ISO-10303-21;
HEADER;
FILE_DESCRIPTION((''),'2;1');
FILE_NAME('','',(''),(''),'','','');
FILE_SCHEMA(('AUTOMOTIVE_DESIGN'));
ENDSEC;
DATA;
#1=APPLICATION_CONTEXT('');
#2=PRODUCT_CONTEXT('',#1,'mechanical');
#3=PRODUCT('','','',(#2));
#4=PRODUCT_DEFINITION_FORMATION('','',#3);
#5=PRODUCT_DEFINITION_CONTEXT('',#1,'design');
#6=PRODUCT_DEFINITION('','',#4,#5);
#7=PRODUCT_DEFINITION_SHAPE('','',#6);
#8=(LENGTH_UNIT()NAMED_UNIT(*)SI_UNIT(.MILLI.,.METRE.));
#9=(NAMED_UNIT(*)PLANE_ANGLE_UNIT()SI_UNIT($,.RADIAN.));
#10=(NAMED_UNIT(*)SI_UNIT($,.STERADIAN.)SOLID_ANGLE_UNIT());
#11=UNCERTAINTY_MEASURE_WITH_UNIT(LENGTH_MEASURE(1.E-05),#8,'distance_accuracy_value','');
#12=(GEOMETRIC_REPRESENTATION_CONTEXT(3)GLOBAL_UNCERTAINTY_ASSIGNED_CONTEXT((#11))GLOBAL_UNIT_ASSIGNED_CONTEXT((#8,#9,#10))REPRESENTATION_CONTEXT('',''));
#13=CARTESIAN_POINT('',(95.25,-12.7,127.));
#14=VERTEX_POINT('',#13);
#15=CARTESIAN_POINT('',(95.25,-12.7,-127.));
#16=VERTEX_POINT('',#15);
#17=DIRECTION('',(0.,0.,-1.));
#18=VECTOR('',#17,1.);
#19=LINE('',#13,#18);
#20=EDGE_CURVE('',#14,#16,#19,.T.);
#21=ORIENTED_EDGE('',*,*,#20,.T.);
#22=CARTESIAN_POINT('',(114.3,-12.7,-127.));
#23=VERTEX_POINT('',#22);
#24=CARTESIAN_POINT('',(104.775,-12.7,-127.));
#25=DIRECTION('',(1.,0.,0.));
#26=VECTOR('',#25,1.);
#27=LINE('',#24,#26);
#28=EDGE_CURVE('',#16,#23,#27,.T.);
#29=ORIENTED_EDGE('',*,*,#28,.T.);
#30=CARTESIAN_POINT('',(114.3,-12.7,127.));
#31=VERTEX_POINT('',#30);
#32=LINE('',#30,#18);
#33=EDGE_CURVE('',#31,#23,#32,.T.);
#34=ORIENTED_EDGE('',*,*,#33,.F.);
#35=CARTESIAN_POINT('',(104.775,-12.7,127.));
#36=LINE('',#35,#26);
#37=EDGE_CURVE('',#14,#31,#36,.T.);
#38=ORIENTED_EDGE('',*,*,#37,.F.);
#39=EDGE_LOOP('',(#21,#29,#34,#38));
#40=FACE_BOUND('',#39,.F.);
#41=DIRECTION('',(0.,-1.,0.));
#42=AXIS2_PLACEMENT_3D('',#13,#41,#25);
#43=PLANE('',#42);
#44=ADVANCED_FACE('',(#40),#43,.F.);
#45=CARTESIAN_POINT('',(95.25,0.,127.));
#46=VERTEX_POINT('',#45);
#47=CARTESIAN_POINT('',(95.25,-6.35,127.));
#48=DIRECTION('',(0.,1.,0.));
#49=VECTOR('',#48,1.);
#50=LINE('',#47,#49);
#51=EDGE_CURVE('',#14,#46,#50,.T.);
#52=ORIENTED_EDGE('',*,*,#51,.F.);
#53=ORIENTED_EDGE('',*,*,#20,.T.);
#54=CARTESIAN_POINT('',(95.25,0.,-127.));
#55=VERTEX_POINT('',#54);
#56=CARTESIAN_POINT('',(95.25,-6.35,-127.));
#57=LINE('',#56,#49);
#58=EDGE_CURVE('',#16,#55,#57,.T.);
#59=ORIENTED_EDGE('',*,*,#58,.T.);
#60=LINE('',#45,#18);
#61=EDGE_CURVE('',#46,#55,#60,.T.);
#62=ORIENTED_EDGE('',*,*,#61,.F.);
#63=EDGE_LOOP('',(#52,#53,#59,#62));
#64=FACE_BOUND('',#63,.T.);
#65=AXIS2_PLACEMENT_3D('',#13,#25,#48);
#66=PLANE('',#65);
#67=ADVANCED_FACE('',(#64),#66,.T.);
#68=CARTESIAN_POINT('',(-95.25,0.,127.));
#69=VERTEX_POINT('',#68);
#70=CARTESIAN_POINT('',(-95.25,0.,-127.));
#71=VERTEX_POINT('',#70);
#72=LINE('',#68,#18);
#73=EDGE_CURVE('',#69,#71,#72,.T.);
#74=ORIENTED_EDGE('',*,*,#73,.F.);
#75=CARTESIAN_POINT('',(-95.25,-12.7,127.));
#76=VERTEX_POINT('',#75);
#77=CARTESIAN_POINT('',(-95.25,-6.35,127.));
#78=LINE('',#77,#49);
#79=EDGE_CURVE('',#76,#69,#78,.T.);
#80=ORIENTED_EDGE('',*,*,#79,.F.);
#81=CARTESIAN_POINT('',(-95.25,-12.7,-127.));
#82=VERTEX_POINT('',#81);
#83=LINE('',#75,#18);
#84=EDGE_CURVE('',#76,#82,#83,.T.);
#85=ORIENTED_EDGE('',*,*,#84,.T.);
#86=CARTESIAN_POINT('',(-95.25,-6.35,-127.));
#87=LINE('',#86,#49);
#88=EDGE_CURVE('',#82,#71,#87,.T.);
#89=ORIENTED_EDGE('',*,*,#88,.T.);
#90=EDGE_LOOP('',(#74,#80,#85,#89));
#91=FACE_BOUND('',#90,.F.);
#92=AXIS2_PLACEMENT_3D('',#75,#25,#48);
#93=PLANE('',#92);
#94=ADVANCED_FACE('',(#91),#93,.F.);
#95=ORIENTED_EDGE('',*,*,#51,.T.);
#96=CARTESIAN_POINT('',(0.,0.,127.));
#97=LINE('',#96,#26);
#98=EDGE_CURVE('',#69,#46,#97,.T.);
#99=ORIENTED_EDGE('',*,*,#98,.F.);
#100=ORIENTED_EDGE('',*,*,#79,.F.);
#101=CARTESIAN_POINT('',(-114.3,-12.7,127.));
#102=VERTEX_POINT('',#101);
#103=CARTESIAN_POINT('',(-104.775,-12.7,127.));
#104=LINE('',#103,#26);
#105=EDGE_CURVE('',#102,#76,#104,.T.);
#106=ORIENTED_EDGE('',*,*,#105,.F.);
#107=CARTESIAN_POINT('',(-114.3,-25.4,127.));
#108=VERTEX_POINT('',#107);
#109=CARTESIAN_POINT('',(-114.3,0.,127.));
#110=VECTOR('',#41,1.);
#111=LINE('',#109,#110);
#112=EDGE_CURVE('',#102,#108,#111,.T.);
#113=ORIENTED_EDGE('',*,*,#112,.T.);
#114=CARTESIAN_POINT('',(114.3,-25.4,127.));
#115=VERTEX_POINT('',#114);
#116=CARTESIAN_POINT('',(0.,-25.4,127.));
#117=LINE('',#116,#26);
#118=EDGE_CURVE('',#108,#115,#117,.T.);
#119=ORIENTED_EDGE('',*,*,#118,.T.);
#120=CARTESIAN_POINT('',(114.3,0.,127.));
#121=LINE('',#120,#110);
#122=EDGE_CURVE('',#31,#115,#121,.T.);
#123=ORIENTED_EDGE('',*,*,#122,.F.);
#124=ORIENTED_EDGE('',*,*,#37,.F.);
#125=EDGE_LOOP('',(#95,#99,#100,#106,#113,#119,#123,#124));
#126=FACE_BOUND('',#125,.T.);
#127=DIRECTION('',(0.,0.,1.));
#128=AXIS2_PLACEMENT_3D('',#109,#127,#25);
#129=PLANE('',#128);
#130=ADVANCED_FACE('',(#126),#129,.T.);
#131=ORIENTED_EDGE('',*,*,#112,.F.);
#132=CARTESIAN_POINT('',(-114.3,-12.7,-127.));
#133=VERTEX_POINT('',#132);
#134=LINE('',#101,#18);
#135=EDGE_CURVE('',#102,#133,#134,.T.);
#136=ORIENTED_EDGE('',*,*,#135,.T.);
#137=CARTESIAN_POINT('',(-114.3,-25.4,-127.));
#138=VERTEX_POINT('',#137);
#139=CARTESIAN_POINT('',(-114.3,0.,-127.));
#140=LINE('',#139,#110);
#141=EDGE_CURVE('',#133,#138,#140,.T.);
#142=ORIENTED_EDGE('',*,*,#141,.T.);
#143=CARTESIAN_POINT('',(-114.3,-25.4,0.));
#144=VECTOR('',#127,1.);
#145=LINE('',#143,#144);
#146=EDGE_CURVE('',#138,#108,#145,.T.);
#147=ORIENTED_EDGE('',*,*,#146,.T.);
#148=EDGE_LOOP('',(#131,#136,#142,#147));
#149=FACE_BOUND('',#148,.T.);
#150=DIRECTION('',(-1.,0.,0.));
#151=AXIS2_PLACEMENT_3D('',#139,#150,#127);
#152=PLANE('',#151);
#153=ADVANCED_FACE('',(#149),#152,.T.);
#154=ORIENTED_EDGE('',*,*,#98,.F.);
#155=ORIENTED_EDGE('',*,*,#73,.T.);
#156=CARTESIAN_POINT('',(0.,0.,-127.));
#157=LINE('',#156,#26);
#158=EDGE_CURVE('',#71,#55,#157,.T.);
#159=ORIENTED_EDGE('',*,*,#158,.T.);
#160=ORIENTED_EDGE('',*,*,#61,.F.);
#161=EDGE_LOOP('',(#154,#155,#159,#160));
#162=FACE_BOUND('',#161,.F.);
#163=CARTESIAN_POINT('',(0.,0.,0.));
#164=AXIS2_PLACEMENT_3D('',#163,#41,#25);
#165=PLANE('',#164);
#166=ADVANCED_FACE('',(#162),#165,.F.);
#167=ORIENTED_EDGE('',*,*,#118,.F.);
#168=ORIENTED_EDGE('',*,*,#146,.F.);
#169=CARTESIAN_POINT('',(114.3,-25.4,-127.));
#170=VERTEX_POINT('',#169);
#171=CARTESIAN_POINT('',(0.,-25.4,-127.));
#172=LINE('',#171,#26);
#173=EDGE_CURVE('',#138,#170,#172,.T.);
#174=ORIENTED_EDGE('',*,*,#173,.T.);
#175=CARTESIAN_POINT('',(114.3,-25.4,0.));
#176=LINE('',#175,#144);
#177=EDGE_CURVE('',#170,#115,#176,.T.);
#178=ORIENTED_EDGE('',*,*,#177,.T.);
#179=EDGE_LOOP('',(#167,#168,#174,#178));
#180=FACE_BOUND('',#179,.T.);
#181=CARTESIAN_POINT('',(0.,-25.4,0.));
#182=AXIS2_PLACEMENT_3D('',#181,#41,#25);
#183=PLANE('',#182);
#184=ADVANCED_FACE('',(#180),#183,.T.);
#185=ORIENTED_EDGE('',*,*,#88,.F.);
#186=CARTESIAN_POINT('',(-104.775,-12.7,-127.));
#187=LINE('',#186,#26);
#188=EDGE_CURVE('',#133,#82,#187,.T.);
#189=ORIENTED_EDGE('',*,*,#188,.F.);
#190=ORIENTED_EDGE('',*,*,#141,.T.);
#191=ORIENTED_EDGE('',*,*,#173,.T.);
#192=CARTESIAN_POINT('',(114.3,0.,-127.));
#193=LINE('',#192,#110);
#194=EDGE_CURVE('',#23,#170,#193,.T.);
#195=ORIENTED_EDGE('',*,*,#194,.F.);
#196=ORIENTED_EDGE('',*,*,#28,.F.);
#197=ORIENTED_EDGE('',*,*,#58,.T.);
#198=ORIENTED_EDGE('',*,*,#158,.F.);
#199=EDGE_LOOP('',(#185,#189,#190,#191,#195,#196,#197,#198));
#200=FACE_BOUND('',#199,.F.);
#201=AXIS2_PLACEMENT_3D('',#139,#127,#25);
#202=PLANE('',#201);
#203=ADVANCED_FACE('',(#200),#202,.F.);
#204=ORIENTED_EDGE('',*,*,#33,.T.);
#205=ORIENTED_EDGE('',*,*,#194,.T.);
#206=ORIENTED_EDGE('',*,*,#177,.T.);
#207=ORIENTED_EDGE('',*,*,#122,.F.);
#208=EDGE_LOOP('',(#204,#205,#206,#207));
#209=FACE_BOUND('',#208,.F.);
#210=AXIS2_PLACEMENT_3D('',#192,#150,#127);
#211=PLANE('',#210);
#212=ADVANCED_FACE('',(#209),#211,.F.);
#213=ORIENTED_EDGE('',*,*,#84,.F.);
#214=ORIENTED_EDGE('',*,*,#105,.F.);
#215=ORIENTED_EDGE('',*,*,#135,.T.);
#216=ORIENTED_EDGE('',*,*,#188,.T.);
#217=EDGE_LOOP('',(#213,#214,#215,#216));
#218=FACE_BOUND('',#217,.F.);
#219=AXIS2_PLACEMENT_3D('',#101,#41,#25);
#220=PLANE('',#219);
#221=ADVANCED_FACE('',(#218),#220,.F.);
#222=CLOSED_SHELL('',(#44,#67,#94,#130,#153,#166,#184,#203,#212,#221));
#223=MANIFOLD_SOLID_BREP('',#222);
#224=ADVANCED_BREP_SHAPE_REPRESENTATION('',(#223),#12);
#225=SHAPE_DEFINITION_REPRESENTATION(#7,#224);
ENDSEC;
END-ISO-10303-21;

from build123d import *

# Parameters (mm, degrees)
F0_W     = 228.6
F0_H     = 254
F1_DEPTH = 25.4
F2_W     = 19.05
F2_H     = 12.7
F3_DEPTH = 254


with BuildPart() as f1:
    # F0 (on Front) → F1 (new body)
    with BuildSketch(Plane.XZ):
        Rectangle(F0_W, F0_H)
    extrude(amount=F1_DEPTH)

    # F2 (on face) → F3 (cut)
    with BuildSketch(Plane.XY.offset(127)):
        with Locations((-104.775, -6.35)):
            Rectangle(F2_W, F2_H)
        with Locations((104.775, -6.35)):
            Rectangle(F2_W, F2_H)
    extrude(amount=-F3_DEPTH, mode=Mode.SUBTRACT)


solid = f1.part
